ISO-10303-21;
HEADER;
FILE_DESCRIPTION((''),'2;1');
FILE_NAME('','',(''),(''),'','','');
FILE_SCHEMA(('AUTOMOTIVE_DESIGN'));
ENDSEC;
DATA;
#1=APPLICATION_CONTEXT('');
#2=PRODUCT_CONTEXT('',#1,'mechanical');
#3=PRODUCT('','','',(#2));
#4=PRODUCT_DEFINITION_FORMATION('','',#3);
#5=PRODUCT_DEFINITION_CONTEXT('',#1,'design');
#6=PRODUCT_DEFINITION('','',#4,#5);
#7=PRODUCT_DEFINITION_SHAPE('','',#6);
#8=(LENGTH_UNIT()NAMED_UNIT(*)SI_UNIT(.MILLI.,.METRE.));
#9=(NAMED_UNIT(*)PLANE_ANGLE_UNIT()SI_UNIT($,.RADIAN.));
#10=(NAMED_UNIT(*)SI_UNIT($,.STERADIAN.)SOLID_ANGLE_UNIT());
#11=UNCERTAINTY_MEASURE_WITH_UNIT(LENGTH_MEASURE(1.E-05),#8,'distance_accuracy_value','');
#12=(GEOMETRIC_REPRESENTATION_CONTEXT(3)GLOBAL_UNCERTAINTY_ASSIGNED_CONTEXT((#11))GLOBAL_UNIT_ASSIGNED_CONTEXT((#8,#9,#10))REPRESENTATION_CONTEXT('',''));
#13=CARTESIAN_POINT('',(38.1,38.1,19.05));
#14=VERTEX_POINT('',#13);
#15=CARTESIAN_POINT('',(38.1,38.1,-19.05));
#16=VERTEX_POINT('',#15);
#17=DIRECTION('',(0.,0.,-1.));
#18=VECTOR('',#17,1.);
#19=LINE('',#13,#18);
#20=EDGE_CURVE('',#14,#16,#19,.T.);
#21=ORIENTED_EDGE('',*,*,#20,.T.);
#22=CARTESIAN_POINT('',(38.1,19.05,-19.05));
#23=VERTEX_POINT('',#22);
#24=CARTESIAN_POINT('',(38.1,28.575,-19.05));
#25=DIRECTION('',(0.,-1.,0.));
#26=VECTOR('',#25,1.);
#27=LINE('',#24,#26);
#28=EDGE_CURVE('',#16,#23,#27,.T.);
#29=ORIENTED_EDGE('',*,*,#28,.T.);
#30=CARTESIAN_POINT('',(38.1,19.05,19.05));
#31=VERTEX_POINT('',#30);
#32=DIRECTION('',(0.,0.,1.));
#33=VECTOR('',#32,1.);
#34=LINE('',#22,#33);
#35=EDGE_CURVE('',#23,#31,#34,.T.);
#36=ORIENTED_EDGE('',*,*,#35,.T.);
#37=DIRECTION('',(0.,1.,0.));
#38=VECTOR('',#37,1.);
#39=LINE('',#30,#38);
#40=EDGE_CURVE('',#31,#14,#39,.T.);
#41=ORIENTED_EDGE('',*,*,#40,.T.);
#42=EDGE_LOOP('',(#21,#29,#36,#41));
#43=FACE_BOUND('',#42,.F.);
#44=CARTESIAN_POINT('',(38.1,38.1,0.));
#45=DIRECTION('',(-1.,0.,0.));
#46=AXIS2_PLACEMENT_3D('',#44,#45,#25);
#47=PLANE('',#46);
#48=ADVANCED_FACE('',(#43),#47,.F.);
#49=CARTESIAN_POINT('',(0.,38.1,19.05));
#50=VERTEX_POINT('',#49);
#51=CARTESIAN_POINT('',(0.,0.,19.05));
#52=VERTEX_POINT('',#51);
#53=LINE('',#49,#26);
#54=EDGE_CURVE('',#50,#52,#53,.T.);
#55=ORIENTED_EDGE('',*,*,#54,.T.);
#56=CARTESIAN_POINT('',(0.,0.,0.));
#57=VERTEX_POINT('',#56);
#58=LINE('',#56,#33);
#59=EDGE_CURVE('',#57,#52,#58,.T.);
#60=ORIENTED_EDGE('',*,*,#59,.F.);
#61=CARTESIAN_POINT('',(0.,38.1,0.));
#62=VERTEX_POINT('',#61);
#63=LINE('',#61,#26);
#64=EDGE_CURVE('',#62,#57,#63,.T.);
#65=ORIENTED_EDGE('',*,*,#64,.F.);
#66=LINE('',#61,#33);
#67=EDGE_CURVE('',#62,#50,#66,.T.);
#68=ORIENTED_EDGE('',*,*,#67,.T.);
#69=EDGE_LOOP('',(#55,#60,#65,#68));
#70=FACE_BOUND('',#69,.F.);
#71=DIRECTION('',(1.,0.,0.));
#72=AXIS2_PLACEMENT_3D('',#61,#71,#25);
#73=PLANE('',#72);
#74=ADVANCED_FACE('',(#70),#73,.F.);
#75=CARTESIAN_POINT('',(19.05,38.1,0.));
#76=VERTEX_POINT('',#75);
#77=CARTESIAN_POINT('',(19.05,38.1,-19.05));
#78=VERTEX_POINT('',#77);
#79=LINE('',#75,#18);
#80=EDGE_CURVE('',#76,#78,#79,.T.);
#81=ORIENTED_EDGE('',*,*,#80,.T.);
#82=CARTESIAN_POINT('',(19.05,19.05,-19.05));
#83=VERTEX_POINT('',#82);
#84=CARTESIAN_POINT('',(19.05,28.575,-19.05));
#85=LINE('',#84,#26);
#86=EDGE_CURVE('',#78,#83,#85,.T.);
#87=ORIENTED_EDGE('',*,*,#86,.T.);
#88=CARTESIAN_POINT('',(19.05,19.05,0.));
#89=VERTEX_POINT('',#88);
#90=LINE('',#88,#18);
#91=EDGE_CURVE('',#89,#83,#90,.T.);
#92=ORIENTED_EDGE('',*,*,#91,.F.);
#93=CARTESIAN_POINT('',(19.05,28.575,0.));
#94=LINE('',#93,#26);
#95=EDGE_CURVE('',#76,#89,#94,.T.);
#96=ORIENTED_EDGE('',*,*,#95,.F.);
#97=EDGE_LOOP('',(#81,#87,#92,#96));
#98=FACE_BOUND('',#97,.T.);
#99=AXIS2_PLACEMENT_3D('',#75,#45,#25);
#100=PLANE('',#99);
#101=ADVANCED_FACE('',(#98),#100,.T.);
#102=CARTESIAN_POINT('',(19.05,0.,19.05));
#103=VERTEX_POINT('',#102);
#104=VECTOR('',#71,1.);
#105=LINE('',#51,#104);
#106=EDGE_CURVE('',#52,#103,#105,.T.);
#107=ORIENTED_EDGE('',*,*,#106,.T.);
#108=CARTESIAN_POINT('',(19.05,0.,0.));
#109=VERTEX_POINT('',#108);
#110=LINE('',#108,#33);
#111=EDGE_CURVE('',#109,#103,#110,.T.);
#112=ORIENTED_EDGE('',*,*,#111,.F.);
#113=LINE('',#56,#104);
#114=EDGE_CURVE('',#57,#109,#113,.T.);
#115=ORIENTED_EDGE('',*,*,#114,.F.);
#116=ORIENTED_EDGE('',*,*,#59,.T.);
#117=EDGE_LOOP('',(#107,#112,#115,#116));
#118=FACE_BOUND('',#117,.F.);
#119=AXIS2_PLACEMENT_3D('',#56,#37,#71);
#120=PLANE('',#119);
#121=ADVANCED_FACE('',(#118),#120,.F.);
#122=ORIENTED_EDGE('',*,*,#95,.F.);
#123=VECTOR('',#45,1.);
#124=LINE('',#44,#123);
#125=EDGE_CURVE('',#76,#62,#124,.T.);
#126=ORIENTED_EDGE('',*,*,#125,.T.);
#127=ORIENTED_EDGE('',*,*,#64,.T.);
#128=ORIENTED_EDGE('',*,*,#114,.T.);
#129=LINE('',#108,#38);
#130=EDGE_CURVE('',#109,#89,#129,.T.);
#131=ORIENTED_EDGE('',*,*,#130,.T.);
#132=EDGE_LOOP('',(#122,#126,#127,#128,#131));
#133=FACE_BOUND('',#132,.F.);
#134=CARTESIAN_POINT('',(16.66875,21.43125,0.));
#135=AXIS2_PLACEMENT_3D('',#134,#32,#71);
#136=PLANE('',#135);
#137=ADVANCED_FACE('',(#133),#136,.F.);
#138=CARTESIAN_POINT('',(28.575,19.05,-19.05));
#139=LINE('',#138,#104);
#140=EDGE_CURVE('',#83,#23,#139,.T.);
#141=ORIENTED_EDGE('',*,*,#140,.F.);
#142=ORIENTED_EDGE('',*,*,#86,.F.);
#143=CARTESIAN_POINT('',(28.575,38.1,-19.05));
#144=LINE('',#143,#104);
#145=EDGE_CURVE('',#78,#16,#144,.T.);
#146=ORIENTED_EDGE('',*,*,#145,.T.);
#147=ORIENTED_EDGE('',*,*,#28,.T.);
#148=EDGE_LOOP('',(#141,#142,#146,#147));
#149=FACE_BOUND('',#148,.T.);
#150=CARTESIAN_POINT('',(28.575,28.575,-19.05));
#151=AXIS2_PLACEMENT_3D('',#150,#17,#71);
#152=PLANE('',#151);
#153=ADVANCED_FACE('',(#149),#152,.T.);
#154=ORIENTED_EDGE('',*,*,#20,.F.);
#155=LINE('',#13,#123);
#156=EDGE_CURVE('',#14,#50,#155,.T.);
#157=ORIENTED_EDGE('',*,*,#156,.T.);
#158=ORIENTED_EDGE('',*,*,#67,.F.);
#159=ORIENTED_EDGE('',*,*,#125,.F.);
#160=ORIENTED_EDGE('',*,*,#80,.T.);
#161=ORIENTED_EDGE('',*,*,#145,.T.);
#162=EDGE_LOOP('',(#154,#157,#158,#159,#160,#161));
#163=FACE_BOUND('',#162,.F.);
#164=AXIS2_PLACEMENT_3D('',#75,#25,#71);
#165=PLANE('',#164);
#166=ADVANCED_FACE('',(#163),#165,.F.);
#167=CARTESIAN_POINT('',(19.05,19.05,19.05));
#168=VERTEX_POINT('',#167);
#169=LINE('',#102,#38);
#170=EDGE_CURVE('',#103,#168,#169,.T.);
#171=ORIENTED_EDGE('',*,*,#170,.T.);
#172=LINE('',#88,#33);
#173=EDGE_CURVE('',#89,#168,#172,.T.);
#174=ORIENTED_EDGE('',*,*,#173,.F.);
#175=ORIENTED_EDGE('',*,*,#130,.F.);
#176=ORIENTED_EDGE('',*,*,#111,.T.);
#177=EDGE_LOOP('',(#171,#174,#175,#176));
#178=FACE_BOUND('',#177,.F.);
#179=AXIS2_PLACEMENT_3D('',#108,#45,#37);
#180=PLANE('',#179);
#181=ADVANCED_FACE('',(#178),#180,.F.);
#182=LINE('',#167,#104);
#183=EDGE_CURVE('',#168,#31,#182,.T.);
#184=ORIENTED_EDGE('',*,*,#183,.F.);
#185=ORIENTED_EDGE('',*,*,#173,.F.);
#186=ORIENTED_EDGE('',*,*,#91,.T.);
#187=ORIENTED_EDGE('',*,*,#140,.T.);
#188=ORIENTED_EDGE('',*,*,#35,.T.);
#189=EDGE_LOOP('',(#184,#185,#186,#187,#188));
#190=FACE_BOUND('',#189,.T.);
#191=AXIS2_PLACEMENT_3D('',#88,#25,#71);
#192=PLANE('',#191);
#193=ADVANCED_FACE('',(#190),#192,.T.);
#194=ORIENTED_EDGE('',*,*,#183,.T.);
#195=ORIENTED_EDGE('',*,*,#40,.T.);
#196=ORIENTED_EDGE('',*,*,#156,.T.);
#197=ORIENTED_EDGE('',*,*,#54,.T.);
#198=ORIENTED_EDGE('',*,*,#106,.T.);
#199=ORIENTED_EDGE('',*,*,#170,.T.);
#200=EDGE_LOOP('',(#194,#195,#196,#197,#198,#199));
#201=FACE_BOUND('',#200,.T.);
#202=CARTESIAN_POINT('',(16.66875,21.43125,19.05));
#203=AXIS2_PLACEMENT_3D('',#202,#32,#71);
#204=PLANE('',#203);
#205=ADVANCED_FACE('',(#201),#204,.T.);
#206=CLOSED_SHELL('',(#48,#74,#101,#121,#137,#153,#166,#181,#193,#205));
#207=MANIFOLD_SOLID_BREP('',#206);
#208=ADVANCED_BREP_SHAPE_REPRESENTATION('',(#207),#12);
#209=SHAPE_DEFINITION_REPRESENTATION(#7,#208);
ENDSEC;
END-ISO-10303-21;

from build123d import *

# Parameters (mm, degrees)
F1_DEPTH = 19.05
F2_W     = 19.05
F2_H     = 19.05
F3_DEPTH = 19.05


with BuildPart() as f1:
    # F0 (on Top) → F1 (new body)
    with BuildSketch(Plane.XY):
        Polygon((0, 38.1), (0, 0), (19.05, 0), (19.05, 19.05), (38.1, 19.05), (38.1, 38.1), align=None)
    extrude(amount=F1_DEPTH)

    # F2 (on face) → F3 (join)
    with BuildSketch(Plane(origin=(0, 0, 0), x_dir=(1, 0, 0), z_dir=(0, 0, -1))):
        with Locations((28.575, -28.575)):
            Rectangle(F2_W, F2_H)
    extrude(amount=F3_DEPTH)


solid = f1.part
